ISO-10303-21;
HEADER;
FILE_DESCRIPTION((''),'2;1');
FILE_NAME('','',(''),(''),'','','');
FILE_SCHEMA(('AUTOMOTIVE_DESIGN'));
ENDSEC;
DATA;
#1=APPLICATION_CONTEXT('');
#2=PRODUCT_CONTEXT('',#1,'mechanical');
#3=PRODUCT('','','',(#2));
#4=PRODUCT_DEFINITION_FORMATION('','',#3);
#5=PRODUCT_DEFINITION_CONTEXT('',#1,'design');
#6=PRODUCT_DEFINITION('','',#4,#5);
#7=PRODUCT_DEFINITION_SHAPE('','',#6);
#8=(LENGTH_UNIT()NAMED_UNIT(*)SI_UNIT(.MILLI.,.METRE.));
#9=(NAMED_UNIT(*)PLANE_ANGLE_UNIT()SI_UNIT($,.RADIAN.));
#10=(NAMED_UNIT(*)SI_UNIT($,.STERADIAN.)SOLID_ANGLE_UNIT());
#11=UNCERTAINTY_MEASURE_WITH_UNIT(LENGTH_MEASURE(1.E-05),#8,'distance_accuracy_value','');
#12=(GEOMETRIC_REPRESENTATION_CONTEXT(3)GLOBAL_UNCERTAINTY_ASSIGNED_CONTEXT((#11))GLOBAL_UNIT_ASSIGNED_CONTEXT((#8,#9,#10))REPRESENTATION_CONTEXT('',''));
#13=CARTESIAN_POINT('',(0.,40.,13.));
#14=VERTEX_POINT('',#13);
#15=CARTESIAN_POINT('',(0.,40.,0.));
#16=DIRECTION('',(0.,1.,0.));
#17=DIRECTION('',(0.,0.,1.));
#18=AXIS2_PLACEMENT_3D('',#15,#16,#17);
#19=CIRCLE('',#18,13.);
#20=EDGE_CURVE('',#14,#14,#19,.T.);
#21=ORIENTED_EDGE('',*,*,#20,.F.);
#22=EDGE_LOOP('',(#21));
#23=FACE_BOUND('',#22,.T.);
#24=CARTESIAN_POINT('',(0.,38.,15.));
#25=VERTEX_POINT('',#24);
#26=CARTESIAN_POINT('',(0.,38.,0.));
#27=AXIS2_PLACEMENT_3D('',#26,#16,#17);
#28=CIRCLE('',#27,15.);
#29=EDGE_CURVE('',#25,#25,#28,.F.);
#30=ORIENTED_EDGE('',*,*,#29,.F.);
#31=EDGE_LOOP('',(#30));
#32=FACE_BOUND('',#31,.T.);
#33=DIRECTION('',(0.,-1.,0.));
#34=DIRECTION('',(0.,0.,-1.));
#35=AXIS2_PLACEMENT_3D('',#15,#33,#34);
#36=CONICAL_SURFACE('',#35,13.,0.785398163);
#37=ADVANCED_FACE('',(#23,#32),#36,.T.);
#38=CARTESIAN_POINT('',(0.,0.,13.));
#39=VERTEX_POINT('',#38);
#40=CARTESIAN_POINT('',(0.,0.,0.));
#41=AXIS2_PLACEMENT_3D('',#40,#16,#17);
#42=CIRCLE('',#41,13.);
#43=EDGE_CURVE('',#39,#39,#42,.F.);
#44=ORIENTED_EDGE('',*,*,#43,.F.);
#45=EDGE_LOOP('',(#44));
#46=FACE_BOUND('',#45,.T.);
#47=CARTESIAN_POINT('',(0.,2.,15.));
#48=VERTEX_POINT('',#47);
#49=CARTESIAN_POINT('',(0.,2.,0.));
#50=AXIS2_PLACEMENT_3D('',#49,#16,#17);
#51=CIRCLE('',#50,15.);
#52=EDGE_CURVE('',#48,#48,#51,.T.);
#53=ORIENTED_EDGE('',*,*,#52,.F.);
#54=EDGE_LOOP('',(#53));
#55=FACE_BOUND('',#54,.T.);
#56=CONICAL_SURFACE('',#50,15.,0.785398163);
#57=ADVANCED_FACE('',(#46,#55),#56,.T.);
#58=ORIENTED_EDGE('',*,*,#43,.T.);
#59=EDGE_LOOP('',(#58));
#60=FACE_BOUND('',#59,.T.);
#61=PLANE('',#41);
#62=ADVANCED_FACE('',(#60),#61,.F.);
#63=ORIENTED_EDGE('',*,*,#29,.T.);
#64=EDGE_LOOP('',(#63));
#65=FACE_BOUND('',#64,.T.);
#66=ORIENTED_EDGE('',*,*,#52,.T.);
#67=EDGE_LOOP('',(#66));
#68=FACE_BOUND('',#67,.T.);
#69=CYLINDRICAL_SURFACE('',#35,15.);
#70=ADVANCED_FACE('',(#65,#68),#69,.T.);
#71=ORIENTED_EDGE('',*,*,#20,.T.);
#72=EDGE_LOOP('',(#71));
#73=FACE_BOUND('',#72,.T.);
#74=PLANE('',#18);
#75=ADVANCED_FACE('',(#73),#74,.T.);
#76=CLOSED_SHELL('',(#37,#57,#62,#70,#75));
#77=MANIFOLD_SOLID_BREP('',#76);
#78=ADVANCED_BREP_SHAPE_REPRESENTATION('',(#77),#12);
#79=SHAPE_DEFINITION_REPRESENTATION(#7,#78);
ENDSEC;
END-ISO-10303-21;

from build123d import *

# Parameters (mm, degrees)
SKETCH_1_R      = 15
EXTRUDE_1_DEPTH = 40
CHAMFER_1_SIZE  = 2


with BuildPart() as part:
    # Эскиз1 → Бобышка-Вытянуть1 (new body)
    with BuildSketch(Plane(origin=(0, 0, 0), x_dir=(1, 0, 0), z_dir=(0, 1, 0))):
        with Locations(Location((0, 0, 0), (0, 0, 270))):
            Circle(SKETCH_1_R)
    extrude(amount=EXTRUDE_1_DEPTH)

    # Фаска1
    chamfer_1_edges = [part.edges().sort_by_distance(p)[0] for p in [
        (0, 0, -15),
        (0, 40, -15),
    ]]
    chamfer(chamfer_1_edges, length=CHAMFER_1_SIZE)


solid = part.part
